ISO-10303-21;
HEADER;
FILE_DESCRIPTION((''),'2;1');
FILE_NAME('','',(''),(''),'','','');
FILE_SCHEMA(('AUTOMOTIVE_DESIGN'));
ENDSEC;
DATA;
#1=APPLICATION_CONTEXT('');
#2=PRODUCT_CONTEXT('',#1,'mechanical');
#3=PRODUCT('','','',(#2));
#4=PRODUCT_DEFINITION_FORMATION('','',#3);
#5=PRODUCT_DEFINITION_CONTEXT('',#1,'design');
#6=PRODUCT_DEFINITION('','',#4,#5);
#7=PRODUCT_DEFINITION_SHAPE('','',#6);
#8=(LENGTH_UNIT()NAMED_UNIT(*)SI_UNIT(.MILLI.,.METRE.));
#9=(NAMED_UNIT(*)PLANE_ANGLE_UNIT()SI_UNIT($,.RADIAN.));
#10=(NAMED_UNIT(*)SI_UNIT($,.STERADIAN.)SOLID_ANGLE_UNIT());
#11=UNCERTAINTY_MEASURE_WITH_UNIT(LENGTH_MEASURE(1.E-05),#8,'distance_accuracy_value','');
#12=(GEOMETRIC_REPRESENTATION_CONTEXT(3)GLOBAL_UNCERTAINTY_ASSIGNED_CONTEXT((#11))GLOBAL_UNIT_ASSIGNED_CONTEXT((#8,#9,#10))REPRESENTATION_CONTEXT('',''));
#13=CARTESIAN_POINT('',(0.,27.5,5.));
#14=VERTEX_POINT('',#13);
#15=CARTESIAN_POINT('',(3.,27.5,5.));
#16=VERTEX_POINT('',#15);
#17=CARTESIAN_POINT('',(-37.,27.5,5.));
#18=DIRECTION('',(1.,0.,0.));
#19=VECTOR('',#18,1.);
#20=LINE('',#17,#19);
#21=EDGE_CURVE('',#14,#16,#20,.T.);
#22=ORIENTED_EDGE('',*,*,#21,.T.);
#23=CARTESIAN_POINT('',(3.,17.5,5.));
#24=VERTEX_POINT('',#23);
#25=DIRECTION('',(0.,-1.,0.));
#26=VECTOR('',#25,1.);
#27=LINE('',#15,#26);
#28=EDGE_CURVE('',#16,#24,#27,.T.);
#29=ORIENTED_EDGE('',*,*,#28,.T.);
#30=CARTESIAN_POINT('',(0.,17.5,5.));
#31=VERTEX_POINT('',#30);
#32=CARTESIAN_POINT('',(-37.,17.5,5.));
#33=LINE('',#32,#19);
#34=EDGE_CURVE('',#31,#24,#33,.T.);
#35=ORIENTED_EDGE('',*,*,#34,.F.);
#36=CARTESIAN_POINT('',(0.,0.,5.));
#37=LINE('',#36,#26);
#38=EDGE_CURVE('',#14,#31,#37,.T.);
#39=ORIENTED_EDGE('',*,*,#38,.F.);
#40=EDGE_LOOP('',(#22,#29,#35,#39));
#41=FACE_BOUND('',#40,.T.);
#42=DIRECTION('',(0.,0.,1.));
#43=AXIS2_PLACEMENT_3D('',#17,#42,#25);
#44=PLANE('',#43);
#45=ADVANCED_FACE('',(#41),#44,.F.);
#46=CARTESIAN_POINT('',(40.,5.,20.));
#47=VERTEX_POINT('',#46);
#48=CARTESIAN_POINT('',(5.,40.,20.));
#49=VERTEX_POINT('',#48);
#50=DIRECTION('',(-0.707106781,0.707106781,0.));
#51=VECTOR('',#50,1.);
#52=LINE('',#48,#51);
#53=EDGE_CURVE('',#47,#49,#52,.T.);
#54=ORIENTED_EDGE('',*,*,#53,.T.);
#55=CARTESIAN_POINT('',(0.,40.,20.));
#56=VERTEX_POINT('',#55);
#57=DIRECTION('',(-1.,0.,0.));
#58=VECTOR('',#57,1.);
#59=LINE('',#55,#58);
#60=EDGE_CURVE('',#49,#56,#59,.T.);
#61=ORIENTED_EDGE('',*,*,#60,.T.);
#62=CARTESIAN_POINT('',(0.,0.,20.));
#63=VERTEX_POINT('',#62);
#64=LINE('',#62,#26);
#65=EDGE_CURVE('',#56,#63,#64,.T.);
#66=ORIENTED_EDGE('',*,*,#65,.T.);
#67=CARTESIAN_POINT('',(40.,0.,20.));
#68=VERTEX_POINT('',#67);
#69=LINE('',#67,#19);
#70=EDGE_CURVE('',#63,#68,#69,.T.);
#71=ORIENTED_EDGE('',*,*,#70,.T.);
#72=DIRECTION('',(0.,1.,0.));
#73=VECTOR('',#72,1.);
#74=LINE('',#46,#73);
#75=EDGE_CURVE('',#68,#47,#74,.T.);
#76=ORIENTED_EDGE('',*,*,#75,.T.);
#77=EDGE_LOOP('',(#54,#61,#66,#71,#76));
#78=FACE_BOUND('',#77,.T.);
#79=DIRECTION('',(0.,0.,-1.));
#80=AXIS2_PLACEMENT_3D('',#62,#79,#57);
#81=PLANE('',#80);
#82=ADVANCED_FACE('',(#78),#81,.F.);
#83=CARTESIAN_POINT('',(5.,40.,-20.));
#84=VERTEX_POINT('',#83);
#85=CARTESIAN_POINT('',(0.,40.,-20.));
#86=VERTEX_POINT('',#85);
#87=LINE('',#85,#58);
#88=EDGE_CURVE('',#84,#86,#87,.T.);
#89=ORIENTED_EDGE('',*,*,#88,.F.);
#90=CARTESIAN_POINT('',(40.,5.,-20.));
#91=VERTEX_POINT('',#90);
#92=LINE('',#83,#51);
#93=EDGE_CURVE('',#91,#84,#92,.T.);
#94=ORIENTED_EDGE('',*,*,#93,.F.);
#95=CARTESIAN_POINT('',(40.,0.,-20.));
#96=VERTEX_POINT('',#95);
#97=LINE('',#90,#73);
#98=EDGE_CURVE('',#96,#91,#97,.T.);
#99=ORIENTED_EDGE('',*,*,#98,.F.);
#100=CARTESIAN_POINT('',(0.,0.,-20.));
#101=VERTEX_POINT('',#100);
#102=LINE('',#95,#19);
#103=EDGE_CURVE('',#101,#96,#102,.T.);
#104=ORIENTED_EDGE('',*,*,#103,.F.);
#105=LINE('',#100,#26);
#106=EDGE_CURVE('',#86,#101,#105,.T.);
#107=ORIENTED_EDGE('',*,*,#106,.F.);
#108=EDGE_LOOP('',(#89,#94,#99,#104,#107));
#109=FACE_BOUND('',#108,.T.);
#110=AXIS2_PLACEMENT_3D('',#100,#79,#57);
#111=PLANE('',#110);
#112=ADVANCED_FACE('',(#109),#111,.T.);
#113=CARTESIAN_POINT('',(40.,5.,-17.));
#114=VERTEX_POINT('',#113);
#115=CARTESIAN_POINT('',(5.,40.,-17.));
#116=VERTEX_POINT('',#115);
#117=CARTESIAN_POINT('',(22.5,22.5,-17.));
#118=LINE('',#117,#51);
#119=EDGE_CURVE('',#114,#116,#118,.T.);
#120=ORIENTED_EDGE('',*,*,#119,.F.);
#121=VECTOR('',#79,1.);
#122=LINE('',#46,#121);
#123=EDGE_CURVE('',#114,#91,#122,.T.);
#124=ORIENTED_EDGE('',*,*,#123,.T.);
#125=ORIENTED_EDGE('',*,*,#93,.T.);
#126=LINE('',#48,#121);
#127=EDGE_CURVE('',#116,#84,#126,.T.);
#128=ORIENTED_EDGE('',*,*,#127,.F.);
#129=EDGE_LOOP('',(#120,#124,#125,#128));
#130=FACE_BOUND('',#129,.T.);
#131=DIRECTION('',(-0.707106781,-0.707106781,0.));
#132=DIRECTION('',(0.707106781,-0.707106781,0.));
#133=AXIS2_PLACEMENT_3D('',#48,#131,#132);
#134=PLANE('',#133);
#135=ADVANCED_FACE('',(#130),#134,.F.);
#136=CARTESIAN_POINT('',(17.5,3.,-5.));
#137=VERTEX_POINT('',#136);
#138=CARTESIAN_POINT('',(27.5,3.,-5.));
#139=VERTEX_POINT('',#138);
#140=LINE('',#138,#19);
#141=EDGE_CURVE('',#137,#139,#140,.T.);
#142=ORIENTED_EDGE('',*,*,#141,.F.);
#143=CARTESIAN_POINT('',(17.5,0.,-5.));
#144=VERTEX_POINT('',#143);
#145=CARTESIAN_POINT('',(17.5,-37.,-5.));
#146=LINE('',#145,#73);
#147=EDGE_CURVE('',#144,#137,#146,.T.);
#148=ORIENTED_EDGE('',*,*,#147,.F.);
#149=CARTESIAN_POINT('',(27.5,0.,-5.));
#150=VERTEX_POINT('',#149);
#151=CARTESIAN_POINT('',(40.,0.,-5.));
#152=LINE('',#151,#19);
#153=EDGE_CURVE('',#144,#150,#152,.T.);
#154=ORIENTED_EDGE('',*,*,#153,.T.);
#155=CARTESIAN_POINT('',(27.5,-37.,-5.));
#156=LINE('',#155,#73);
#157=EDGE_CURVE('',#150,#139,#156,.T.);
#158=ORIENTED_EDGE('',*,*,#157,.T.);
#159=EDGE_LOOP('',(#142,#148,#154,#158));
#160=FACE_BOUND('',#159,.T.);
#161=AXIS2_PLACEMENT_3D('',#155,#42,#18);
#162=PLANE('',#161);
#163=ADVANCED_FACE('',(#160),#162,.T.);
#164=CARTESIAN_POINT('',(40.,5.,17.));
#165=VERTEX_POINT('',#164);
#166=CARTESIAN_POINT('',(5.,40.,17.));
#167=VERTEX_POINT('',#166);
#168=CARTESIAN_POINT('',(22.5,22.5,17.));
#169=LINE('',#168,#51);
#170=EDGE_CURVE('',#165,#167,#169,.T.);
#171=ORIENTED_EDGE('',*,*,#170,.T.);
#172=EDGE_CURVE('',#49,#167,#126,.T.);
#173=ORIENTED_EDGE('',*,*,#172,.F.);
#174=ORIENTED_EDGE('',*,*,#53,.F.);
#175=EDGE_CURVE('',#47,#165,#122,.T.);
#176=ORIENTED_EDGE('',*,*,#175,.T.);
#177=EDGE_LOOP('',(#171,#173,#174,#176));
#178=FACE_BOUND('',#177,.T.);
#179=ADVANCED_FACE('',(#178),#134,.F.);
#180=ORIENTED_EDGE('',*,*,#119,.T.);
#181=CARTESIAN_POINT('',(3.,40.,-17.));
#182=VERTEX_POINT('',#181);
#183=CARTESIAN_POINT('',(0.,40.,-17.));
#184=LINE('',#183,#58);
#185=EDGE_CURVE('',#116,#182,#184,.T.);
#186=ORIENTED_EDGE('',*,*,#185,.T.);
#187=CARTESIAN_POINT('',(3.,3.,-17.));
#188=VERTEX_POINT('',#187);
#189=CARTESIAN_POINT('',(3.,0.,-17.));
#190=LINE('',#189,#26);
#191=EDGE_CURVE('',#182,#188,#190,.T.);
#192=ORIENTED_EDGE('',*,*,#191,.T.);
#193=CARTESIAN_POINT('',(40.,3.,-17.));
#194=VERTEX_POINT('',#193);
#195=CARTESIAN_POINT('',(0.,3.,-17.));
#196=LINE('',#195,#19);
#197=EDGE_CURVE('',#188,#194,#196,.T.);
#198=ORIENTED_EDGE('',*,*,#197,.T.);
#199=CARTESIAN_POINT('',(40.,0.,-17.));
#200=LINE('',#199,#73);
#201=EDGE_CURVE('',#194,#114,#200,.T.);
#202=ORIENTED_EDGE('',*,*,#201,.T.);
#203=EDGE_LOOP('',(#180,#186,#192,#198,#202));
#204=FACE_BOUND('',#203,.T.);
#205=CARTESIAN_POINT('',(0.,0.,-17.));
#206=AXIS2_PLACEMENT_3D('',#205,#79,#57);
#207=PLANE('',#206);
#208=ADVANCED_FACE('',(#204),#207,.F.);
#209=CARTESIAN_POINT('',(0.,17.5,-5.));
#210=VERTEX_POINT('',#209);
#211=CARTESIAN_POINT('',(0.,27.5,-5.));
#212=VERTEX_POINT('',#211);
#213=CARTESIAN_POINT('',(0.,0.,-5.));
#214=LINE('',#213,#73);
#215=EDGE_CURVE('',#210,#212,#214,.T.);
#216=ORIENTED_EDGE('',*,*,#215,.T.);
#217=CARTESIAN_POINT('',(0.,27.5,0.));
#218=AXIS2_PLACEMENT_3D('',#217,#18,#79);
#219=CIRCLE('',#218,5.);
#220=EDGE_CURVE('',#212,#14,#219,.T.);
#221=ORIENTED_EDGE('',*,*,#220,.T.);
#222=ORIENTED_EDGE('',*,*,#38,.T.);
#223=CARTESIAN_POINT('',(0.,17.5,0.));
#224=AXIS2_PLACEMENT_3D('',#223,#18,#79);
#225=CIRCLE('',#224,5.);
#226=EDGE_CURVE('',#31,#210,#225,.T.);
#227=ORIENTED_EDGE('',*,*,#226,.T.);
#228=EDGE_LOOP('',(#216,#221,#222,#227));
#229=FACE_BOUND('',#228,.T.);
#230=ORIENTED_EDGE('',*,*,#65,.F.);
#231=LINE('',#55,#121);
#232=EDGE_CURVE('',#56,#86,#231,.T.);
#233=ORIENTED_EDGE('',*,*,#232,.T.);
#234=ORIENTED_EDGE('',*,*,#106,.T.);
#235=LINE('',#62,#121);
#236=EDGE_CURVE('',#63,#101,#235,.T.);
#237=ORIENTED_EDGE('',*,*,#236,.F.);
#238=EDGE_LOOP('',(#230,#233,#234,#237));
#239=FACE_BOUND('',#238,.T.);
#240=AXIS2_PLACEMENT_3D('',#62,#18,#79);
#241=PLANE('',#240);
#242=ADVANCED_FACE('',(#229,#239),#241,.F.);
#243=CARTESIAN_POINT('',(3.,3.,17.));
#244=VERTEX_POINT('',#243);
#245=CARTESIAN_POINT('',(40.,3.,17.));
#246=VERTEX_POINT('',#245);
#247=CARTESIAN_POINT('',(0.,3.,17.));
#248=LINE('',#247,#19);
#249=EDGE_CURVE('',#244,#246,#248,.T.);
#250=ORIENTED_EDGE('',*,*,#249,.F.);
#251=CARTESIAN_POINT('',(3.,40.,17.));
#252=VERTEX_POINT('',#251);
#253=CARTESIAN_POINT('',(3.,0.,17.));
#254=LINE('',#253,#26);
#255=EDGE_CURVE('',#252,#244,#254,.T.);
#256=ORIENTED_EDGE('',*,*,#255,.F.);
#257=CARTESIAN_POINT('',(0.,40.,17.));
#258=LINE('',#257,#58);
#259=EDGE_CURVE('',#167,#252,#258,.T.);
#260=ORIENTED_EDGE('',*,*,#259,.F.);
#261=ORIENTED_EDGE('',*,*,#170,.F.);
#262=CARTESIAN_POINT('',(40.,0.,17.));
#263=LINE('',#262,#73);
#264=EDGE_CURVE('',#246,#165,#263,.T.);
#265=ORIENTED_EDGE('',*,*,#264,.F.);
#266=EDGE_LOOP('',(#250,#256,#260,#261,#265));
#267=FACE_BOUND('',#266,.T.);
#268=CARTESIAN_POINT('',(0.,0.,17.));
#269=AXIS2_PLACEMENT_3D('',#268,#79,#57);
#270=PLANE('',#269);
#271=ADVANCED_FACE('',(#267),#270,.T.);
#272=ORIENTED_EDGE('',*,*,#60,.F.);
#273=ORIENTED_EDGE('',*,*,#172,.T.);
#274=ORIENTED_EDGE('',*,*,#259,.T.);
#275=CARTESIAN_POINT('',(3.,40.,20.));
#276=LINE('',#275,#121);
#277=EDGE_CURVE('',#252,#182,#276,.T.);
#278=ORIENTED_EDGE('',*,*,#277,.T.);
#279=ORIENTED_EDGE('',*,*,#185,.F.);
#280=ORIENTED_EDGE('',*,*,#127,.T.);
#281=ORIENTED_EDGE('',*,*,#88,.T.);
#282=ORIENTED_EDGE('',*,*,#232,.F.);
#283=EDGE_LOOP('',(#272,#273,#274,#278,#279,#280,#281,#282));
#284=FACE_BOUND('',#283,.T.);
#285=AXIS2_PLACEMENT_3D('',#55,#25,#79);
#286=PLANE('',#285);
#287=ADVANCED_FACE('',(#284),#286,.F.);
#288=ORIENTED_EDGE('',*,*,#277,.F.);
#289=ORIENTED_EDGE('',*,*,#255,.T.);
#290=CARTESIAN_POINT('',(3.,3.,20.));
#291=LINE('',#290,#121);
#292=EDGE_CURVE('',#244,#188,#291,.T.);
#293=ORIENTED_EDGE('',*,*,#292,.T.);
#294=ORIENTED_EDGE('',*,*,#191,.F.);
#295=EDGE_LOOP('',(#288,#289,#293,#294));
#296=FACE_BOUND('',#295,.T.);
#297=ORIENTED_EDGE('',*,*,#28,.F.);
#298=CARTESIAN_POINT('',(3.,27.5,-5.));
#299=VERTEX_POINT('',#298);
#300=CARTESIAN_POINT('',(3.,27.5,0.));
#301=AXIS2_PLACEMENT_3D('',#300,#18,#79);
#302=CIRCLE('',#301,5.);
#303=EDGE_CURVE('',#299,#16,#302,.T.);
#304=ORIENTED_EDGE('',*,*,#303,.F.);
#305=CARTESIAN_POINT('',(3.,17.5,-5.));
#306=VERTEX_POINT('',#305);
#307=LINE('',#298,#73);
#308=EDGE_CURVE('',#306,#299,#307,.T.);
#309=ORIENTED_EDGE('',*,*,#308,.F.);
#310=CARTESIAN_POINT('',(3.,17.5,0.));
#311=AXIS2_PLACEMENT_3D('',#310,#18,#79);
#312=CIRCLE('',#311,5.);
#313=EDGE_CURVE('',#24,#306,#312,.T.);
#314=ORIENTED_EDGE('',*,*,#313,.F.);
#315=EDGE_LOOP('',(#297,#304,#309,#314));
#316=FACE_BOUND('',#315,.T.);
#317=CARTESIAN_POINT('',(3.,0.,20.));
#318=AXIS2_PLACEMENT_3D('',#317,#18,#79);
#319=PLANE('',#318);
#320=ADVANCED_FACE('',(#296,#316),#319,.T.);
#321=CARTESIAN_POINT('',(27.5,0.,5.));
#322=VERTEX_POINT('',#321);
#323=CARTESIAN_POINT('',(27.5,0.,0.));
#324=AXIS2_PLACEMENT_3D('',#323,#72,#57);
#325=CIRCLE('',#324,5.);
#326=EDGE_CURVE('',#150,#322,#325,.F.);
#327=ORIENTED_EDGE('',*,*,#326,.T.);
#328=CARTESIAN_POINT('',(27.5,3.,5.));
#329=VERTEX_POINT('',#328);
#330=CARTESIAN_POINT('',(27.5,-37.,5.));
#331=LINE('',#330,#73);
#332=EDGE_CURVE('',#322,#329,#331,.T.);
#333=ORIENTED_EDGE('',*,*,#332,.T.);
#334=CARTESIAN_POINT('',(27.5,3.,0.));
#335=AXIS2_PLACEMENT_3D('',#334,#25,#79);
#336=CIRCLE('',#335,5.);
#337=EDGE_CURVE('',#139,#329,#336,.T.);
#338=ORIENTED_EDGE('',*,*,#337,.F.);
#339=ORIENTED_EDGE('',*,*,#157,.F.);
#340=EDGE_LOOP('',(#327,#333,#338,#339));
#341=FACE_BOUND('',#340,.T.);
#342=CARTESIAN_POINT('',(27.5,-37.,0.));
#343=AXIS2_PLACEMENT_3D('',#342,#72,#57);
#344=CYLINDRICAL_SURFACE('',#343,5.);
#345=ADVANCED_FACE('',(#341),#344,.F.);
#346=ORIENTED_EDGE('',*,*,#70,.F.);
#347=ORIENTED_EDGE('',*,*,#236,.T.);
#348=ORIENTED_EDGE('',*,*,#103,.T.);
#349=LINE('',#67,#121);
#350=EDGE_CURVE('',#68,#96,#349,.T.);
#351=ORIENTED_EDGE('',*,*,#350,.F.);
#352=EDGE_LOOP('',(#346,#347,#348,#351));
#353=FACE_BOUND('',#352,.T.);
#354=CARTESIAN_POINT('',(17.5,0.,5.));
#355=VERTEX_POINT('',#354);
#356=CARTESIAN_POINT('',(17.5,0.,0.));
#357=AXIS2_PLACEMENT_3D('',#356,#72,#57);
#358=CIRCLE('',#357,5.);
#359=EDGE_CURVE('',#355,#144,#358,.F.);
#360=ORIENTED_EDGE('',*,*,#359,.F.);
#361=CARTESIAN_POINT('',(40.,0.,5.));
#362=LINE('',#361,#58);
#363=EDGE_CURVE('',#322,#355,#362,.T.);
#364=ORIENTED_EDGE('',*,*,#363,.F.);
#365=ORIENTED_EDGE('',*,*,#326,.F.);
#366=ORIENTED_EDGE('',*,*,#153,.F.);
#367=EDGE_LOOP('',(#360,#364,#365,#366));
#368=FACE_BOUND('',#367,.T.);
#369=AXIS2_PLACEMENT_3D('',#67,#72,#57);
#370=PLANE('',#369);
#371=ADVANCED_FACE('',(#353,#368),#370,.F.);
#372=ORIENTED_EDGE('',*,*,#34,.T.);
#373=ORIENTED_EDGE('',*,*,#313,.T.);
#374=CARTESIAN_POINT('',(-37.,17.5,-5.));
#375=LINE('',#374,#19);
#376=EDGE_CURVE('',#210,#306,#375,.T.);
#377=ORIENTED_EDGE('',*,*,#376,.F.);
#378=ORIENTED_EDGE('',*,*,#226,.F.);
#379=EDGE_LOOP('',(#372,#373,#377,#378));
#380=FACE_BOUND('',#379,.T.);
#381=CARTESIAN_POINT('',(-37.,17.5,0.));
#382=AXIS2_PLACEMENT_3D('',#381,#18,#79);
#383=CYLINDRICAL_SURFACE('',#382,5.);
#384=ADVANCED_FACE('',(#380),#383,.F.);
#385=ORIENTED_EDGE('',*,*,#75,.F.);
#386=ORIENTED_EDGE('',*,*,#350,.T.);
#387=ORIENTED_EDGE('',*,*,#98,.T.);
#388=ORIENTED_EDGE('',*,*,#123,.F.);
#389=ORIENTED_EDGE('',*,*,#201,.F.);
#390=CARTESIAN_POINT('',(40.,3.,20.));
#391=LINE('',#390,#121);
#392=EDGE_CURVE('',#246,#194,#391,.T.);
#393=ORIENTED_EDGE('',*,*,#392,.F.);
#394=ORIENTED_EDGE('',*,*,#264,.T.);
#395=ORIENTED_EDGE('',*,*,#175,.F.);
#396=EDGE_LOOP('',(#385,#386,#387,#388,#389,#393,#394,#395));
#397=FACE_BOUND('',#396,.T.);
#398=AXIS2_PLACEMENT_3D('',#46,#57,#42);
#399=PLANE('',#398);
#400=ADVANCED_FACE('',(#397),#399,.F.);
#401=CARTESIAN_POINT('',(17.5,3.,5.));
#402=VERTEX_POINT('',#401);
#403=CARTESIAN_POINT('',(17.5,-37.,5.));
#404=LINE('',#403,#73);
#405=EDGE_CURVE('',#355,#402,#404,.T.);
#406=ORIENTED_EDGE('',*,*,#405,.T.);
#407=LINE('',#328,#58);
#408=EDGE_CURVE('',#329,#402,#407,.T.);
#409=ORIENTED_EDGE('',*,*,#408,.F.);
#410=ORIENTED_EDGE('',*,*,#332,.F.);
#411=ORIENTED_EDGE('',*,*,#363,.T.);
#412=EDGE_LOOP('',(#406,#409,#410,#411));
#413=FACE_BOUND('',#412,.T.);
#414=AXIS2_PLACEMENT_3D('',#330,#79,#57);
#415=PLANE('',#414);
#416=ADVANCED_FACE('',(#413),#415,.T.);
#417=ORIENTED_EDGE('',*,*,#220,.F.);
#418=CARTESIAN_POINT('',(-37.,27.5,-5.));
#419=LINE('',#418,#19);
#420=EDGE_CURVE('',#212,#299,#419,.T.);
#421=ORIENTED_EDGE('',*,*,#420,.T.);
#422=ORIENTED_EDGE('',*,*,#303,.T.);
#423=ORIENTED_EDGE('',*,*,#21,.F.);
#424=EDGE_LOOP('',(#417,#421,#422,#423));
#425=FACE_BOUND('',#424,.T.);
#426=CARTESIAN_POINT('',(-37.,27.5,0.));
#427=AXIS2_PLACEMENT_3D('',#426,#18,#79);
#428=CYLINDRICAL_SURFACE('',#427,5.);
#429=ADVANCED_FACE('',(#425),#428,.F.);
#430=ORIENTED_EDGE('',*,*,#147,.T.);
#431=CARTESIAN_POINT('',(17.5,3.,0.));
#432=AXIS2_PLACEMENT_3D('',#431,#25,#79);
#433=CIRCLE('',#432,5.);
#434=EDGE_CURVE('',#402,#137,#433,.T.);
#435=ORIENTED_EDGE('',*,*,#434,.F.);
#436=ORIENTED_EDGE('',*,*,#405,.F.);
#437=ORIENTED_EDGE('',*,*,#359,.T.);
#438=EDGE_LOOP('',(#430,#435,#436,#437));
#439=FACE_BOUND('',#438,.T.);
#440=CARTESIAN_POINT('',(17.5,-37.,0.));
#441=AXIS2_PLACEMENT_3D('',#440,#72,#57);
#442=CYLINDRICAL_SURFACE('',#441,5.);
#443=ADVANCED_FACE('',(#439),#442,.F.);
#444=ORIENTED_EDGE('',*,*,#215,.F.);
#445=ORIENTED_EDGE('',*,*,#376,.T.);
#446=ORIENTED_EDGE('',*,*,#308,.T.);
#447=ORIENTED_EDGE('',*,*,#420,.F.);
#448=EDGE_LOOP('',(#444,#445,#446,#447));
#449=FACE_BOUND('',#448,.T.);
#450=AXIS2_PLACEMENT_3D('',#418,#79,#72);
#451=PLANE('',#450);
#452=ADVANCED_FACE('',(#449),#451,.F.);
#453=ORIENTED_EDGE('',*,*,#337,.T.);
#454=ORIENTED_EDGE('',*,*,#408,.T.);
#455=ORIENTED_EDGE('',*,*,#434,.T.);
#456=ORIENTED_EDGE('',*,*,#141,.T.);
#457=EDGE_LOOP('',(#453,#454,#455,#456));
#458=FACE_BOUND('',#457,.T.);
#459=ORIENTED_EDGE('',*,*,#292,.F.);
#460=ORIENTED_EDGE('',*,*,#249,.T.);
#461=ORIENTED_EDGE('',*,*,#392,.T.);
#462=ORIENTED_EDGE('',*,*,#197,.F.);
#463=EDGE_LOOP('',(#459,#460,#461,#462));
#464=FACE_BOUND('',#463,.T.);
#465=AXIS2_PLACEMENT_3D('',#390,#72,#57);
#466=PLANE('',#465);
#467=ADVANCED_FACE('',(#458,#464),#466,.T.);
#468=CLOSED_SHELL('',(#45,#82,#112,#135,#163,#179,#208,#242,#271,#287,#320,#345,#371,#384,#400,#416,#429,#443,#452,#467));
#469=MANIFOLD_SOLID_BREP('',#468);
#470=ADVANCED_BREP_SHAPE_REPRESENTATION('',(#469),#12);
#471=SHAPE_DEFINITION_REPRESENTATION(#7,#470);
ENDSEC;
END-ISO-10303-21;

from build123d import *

# Parameters (mm, degrees)
BOSS_EXTRUDE1_DEPTH = 20
SHELL1_T            = -3
CUT_EXTRUDE1_DEPTH  = 40


with BuildPart() as part:
    # Sketch1 → Boss-Extrude1 (new, symmetric)
    with BuildSketch(Plane.XY):
        Polygon((40, 0), (0, 0), (0, 40), (5, 40), (40, 5), align=None)
    extrude(amount=BOSS_EXTRUDE1_DEPTH, both=True)

    # Shell1
    shell1_openings = [part.faces().sort_by_distance(p)[0] for p in [
        (22.5, 22.5, 0),
        (40, 2.5, 0),
        (2.5, 40, 0),
    ]]
    offset(amount=SHELL1_T, openings=shell1_openings, kind=Kind.INTERSECTION)

    # Sketch2 → Cut-Extrude1 (cut)
    with BuildSketch(Plane(origin=(3, 0, 0), x_dir=(0, 0, -1), z_dir=(1, 0, 0))):
        with BuildLine():
            Line((5, 27.5), (5, 17.5))
            ThreePointArc((5, 17.5), (0, 12.5), (-5, 17.5))
            Line((-5, 17.5), (-5, 27.5))
            ThreePointArc((-5, 27.5), (0, 32.5), (5, 27.5))
        make_face()
    cut_extrude1 = extrude(amount=-CUT_EXTRUDE1_DEPTH, mode=Mode.SUBTRACT)

    # Mirror1: Cut-Extrude1 across plane
    add(cut_extrude1.mirror(Plane(origin=(0, 0, 0), x_dir=(0, 0, 1), z_dir=(0.7071067811865476, -0.7071067811865476, 0))), mode=Mode.SUBTRACT)


solid = part.part
